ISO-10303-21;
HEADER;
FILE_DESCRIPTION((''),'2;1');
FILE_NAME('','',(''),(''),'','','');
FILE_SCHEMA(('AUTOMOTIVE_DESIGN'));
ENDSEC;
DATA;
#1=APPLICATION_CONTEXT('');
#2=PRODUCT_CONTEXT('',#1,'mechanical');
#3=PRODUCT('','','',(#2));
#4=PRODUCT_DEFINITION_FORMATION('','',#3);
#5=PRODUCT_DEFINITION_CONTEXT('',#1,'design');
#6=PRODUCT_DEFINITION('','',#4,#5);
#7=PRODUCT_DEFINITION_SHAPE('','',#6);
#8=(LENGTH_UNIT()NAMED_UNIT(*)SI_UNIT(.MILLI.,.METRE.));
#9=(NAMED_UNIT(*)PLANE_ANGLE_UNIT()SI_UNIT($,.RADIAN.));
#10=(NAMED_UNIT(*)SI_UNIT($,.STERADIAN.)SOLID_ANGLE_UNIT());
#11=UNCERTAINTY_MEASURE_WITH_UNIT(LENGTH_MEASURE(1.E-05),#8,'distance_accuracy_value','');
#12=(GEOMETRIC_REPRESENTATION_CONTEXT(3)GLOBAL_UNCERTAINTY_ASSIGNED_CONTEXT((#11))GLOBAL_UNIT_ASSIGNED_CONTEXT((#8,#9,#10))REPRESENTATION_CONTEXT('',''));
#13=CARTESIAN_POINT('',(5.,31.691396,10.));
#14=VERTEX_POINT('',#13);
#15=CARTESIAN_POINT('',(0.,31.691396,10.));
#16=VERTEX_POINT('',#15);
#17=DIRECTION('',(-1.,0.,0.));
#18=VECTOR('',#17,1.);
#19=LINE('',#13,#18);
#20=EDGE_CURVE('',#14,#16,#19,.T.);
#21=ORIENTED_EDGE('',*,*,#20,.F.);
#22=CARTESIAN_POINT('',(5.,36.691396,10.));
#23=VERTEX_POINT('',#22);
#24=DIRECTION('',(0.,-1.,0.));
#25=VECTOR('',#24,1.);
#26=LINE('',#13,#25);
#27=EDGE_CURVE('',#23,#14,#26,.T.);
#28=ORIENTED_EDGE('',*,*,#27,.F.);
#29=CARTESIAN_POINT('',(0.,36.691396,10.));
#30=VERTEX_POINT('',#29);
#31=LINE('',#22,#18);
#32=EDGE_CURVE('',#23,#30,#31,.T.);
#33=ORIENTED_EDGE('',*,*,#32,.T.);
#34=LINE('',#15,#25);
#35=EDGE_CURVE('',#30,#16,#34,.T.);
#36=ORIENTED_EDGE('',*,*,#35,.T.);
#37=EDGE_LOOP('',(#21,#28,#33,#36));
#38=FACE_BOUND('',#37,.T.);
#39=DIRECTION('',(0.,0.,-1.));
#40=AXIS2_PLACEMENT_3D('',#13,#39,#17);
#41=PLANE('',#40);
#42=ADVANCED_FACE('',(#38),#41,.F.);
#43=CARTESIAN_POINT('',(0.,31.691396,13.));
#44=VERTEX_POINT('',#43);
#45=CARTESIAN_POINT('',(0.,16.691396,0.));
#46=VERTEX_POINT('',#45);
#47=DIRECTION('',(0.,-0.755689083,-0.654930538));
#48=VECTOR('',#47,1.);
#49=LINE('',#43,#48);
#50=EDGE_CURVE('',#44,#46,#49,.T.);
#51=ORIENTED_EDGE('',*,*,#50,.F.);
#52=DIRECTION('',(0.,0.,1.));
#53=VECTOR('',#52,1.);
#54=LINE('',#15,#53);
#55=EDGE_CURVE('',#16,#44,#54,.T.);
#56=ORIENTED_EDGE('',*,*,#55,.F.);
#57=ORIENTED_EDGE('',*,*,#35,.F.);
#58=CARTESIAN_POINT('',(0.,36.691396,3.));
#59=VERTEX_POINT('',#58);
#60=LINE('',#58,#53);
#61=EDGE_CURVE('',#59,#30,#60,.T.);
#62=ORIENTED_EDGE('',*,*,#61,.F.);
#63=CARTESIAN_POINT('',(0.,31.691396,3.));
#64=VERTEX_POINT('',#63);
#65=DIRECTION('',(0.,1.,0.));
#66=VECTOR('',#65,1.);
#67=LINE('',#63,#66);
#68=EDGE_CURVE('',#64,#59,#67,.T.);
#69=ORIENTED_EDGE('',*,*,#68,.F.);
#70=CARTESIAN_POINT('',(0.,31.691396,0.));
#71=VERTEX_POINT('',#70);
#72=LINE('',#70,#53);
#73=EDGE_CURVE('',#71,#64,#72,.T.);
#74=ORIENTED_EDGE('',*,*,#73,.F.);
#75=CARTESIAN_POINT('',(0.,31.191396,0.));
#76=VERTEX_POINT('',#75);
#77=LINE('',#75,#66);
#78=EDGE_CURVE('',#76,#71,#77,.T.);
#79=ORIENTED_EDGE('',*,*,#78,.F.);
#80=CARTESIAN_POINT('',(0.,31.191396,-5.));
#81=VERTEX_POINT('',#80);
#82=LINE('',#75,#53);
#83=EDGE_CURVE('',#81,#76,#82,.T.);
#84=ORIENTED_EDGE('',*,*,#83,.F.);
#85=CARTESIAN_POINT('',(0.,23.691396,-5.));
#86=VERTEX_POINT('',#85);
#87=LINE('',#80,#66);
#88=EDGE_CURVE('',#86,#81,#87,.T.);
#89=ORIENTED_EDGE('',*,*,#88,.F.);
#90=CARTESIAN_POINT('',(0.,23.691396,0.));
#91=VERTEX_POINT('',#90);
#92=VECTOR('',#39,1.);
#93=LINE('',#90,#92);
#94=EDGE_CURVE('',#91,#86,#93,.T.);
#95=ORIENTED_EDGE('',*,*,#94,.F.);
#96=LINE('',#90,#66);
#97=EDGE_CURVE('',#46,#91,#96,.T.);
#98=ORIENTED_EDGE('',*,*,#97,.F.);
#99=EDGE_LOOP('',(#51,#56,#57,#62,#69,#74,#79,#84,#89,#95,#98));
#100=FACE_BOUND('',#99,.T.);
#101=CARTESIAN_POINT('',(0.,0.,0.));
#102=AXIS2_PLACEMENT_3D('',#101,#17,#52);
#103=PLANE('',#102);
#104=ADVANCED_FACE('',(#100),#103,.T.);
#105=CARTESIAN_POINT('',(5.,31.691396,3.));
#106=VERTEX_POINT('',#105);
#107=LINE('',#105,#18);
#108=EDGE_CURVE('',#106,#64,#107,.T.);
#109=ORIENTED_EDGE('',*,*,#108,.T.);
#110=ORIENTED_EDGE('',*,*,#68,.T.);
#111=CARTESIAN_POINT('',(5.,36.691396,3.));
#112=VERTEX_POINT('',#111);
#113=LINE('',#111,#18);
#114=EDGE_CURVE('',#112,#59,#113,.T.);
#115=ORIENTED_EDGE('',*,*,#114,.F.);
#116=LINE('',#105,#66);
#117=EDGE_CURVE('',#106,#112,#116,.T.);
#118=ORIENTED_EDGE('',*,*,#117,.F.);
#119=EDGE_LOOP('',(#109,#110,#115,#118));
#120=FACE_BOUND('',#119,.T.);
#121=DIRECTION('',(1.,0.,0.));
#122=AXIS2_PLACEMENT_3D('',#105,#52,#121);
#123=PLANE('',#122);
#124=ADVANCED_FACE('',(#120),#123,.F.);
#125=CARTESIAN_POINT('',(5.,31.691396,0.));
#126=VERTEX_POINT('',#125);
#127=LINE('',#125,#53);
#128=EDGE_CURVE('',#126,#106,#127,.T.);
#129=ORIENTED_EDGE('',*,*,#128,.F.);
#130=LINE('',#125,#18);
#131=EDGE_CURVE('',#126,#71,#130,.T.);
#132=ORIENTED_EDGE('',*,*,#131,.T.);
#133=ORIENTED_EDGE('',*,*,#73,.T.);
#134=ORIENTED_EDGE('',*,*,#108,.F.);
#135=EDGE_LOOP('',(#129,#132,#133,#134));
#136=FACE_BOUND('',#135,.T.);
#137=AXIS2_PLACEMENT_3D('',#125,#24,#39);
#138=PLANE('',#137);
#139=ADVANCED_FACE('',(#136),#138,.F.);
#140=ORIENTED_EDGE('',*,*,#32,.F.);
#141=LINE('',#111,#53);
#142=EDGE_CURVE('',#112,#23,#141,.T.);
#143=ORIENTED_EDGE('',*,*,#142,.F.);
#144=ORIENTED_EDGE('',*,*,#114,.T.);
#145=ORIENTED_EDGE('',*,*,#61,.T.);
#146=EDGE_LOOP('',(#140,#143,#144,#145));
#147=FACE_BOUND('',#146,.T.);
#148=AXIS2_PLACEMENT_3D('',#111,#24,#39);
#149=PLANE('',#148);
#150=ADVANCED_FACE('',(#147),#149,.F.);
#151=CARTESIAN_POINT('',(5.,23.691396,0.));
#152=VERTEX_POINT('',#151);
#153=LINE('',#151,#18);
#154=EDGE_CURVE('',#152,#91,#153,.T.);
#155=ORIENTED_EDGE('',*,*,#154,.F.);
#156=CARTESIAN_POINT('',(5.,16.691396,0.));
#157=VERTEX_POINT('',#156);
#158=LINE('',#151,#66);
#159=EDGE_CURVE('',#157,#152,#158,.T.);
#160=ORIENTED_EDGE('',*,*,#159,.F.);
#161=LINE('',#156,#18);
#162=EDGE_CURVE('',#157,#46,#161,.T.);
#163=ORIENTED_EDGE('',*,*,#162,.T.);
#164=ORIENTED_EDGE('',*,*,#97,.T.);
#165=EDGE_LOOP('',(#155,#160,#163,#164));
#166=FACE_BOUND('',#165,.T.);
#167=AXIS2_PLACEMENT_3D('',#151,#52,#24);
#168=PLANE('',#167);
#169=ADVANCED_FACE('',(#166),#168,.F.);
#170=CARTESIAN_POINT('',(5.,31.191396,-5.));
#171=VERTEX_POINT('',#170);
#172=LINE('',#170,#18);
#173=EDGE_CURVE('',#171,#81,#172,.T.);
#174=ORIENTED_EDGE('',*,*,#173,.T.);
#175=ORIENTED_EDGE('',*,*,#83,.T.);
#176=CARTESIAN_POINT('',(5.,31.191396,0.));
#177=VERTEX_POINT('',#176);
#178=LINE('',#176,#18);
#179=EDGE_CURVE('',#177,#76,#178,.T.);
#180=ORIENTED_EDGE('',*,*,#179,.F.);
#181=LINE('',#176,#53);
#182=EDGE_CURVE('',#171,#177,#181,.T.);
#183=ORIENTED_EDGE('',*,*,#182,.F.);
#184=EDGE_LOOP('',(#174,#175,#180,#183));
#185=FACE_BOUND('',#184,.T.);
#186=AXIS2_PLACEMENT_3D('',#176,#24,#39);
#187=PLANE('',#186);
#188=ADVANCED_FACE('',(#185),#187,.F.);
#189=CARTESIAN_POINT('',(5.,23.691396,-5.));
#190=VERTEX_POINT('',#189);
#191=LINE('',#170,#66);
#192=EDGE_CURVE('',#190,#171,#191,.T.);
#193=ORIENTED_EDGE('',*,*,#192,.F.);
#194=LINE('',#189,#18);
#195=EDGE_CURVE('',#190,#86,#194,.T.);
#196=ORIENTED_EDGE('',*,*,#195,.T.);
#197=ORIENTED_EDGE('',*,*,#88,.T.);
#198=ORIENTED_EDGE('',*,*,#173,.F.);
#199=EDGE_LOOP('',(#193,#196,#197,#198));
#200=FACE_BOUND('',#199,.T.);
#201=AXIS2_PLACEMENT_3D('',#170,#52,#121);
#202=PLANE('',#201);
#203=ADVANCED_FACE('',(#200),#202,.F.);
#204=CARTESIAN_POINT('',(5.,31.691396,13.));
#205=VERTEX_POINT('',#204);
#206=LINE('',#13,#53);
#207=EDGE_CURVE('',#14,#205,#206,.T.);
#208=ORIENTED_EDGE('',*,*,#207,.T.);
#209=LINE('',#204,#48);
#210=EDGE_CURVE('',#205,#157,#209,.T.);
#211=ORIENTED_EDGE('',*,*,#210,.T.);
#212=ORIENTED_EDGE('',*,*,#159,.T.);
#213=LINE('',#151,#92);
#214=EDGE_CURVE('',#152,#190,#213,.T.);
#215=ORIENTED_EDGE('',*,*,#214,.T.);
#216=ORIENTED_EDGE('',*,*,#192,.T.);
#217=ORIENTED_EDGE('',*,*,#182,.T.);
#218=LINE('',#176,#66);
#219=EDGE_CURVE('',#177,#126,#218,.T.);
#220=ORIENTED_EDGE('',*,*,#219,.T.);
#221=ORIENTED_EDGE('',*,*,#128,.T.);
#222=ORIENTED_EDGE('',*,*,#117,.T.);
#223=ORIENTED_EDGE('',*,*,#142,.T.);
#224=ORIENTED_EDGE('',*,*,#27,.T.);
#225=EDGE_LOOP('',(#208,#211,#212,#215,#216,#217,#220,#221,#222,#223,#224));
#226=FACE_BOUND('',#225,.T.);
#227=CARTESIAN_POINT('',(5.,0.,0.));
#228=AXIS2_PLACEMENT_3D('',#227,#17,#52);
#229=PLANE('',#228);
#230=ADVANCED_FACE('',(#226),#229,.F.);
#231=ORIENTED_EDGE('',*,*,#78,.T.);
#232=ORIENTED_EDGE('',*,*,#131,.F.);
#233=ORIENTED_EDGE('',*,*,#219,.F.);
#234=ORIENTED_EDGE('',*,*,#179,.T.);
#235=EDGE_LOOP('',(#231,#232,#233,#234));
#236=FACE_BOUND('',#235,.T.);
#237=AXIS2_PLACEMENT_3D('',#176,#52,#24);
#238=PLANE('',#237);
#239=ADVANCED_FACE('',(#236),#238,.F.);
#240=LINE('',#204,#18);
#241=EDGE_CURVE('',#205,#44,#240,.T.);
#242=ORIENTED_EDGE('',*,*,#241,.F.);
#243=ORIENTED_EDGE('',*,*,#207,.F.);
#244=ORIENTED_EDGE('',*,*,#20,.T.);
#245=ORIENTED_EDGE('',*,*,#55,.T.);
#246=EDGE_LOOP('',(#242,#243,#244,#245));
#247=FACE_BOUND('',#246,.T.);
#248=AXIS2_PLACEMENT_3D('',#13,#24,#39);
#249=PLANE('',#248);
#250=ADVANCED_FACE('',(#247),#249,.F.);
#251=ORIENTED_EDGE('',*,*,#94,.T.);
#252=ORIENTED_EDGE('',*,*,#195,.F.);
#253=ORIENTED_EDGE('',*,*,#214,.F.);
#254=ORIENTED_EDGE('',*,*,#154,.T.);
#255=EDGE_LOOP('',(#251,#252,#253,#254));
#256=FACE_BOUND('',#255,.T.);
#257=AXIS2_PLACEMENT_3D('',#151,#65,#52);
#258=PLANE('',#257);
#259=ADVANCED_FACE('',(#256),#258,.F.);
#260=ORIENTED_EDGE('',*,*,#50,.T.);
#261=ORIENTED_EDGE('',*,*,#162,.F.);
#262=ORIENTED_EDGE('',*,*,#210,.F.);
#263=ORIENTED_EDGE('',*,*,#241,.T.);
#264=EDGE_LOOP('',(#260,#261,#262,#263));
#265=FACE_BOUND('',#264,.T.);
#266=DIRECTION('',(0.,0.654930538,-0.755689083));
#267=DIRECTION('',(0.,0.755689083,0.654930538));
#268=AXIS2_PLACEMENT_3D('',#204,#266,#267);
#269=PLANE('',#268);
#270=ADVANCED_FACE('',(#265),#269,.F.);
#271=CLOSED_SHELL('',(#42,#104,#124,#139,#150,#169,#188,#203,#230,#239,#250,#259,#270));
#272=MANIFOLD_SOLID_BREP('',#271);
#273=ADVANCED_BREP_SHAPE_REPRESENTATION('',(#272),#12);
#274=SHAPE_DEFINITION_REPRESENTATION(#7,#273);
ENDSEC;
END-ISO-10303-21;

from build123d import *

# Parameters (mm, degrees)
SALIENTE_EXTRUIR2_DEPTH = 5


with BuildPart() as part:
    # Croquis1 → Saliente-Extruir2 (new body)
    with BuildSketch(Plane(origin=(0, 0, 0), x_dir=(0, 0, -1), z_dir=(1, 0, 0))):
        Polygon((0, 31.691396431), (-3, 31.691396431), (-3, 36.691396431), (-10, 36.691396431), (-10, 31.691396431), (-13, 31.691396431), (0, 16.691396431), (0, 23.691396431), (5, 23.691396431), (5, 31.191396431), (0, 31.191396431), align=None)
    extrude(amount=SALIENTE_EXTRUIR2_DEPTH)


solid = part.part
